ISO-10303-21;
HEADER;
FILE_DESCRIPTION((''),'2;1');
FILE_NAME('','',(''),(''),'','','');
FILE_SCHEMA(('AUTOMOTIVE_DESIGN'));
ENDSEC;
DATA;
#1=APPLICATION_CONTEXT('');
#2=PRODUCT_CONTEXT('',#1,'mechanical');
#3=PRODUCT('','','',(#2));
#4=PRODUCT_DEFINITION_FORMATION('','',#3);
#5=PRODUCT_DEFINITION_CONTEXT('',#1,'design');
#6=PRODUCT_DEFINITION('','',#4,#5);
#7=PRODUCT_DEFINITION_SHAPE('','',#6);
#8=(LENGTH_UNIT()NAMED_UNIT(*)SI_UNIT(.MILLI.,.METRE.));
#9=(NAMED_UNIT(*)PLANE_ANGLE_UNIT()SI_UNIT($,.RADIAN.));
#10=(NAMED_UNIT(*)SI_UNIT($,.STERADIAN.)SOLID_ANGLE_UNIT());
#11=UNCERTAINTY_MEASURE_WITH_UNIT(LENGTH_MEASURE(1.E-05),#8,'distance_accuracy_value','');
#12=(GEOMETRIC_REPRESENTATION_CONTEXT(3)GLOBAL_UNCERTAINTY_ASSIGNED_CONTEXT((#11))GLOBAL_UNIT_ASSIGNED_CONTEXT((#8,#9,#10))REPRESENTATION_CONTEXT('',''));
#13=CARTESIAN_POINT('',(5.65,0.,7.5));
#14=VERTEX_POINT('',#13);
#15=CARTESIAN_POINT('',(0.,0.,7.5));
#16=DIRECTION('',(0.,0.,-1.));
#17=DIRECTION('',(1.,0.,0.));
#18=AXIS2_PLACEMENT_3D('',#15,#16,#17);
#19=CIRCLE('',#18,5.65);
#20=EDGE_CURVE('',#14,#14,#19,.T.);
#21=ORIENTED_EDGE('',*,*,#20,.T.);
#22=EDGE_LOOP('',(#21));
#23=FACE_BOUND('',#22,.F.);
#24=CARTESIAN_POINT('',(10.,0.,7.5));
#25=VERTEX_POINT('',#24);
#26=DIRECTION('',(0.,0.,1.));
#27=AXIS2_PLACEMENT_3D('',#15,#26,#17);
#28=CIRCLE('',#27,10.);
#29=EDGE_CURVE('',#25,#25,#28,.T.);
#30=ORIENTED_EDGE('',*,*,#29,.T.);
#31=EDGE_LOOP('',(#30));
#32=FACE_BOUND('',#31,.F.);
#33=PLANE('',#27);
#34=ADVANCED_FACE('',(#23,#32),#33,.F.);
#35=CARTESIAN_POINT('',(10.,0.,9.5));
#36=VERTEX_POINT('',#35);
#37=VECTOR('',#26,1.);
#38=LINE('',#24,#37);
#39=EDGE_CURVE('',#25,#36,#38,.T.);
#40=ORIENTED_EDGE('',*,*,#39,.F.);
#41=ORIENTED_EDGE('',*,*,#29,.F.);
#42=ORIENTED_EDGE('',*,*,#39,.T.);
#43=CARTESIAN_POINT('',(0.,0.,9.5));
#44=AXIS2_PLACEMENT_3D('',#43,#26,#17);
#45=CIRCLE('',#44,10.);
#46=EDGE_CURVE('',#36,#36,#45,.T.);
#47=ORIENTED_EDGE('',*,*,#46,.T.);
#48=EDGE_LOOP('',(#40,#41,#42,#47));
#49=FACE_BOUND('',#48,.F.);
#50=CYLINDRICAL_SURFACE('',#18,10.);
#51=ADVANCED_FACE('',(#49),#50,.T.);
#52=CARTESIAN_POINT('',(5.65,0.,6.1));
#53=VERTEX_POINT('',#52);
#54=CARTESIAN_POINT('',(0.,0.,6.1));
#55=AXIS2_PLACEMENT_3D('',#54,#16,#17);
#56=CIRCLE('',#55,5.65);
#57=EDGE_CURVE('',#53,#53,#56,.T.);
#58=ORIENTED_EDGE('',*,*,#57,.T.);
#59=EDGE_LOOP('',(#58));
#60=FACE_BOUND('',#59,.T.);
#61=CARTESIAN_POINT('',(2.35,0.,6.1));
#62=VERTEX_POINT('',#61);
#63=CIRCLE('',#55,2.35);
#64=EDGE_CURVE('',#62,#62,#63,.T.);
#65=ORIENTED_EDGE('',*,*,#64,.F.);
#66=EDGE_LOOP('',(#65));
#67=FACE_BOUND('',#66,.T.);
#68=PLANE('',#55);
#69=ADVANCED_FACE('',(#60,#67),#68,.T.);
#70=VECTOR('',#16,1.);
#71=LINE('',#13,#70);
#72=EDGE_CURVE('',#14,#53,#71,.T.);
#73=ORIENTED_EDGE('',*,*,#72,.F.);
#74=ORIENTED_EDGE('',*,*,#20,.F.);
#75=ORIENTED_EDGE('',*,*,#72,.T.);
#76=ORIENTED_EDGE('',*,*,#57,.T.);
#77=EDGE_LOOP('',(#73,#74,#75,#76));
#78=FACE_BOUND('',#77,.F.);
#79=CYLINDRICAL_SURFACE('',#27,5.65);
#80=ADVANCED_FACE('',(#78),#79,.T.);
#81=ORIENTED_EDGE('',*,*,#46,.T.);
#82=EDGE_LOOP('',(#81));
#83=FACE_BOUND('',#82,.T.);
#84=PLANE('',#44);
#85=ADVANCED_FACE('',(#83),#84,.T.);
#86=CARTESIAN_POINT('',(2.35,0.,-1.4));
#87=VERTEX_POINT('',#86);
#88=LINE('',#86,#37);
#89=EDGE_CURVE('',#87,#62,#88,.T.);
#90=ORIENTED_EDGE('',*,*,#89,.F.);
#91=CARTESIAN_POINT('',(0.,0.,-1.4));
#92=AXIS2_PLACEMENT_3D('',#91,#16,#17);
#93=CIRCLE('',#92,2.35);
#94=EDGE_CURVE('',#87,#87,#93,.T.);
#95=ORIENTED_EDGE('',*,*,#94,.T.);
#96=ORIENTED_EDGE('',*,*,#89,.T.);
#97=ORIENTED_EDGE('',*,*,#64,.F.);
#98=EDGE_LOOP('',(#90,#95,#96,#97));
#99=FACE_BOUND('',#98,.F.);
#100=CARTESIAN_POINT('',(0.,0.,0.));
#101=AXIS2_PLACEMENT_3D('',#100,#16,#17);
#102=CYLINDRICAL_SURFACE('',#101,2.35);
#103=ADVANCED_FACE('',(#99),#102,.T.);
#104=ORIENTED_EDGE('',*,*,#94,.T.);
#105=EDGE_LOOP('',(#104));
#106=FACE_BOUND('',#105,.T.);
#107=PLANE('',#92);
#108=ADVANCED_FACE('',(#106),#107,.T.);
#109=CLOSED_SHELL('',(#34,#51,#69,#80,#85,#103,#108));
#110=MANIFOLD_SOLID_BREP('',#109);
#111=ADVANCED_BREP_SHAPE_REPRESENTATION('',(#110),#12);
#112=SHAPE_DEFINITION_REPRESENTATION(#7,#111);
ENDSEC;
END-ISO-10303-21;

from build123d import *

# Parameters (mm, degrees)
F0_R       = 2.35
F1_DEPTH   = 7.5
F2_R       = 10
F3_DEPTH   = 2
F4_R       = 5.65
F1_FACE1_R = 2.35
F5_DEPTH   = 1.4


with BuildPart() as f1:
    # F0 (on Top) → F1 (new body)
    with BuildSketch(Plane.XY):
        Circle(F0_R)
    extrude(amount=F1_DEPTH)

    # F2 (on face) → F3 (join)
    with BuildSketch(Plane.XY.offset(7.5)):
        Circle(F2_R)
    extrude(amount=F3_DEPTH)

    # F4 (on face) + F1_face1 (on face) → F5 (join)
    with BuildSketch(Plane(origin=(0, 0, 7.5), x_dir=(1, 0, 0), z_dir=(0, 0, -1))):
        Circle(F4_R)
    with BuildSketch(Plane(origin=(0, 0, 0), x_dir=(1, 0, 0), z_dir=(0, 0, -1))):
        Circle(F1_FACE1_R)
    extrude(amount=F5_DEPTH)


solid = f1.part
